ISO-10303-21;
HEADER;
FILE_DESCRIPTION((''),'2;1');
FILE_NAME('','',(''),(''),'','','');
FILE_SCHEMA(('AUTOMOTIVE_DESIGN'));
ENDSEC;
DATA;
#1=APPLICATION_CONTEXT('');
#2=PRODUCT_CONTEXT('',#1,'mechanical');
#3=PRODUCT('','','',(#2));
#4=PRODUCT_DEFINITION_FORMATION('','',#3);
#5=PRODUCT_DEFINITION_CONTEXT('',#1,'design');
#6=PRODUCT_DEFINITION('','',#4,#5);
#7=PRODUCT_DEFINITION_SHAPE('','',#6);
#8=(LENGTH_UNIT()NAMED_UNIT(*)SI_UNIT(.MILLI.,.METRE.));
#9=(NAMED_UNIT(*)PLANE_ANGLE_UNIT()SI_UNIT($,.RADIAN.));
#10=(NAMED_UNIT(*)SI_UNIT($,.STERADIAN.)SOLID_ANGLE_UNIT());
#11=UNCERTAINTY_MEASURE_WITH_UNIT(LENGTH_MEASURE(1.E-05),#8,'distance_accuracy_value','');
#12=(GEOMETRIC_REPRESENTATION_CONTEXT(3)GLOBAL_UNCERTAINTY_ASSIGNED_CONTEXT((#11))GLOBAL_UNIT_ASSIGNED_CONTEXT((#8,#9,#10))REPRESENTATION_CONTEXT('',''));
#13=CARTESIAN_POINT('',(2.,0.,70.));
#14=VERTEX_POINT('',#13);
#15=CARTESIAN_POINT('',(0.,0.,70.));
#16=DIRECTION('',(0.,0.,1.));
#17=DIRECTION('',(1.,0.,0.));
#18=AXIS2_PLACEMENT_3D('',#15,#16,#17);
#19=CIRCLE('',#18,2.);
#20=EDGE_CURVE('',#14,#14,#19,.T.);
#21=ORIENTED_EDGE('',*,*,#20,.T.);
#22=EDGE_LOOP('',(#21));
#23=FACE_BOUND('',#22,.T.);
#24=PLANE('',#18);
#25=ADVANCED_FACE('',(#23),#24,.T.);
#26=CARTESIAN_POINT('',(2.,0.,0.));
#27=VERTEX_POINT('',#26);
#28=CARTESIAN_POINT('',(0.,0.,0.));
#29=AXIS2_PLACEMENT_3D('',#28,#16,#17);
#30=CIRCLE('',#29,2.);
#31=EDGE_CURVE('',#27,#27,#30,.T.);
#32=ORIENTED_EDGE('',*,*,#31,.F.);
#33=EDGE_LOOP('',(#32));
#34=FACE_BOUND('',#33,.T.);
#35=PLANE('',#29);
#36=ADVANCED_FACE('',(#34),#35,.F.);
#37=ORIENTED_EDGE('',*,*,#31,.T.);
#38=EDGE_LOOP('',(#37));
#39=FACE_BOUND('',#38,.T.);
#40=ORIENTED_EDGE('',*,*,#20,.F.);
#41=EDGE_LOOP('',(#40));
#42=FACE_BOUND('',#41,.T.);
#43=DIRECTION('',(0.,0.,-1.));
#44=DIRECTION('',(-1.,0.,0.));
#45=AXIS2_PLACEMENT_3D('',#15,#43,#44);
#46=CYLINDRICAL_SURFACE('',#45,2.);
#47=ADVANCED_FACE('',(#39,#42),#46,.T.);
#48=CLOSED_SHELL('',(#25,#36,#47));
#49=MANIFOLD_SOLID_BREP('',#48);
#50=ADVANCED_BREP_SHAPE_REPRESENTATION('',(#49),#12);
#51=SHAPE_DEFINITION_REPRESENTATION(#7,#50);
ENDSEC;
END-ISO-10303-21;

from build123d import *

# Parameters (mm, degrees)
SKETCH_1_R      = 2
EXTRUDE_1_DEPTH = 70


with BuildPart() as part:
    # 草图1 → 凸台-拉伸1 (new body)
    with BuildSketch(Plane.XY):
        Circle(SKETCH_1_R)
    extrude(amount=EXTRUDE_1_DEPTH)


solid = part.part
